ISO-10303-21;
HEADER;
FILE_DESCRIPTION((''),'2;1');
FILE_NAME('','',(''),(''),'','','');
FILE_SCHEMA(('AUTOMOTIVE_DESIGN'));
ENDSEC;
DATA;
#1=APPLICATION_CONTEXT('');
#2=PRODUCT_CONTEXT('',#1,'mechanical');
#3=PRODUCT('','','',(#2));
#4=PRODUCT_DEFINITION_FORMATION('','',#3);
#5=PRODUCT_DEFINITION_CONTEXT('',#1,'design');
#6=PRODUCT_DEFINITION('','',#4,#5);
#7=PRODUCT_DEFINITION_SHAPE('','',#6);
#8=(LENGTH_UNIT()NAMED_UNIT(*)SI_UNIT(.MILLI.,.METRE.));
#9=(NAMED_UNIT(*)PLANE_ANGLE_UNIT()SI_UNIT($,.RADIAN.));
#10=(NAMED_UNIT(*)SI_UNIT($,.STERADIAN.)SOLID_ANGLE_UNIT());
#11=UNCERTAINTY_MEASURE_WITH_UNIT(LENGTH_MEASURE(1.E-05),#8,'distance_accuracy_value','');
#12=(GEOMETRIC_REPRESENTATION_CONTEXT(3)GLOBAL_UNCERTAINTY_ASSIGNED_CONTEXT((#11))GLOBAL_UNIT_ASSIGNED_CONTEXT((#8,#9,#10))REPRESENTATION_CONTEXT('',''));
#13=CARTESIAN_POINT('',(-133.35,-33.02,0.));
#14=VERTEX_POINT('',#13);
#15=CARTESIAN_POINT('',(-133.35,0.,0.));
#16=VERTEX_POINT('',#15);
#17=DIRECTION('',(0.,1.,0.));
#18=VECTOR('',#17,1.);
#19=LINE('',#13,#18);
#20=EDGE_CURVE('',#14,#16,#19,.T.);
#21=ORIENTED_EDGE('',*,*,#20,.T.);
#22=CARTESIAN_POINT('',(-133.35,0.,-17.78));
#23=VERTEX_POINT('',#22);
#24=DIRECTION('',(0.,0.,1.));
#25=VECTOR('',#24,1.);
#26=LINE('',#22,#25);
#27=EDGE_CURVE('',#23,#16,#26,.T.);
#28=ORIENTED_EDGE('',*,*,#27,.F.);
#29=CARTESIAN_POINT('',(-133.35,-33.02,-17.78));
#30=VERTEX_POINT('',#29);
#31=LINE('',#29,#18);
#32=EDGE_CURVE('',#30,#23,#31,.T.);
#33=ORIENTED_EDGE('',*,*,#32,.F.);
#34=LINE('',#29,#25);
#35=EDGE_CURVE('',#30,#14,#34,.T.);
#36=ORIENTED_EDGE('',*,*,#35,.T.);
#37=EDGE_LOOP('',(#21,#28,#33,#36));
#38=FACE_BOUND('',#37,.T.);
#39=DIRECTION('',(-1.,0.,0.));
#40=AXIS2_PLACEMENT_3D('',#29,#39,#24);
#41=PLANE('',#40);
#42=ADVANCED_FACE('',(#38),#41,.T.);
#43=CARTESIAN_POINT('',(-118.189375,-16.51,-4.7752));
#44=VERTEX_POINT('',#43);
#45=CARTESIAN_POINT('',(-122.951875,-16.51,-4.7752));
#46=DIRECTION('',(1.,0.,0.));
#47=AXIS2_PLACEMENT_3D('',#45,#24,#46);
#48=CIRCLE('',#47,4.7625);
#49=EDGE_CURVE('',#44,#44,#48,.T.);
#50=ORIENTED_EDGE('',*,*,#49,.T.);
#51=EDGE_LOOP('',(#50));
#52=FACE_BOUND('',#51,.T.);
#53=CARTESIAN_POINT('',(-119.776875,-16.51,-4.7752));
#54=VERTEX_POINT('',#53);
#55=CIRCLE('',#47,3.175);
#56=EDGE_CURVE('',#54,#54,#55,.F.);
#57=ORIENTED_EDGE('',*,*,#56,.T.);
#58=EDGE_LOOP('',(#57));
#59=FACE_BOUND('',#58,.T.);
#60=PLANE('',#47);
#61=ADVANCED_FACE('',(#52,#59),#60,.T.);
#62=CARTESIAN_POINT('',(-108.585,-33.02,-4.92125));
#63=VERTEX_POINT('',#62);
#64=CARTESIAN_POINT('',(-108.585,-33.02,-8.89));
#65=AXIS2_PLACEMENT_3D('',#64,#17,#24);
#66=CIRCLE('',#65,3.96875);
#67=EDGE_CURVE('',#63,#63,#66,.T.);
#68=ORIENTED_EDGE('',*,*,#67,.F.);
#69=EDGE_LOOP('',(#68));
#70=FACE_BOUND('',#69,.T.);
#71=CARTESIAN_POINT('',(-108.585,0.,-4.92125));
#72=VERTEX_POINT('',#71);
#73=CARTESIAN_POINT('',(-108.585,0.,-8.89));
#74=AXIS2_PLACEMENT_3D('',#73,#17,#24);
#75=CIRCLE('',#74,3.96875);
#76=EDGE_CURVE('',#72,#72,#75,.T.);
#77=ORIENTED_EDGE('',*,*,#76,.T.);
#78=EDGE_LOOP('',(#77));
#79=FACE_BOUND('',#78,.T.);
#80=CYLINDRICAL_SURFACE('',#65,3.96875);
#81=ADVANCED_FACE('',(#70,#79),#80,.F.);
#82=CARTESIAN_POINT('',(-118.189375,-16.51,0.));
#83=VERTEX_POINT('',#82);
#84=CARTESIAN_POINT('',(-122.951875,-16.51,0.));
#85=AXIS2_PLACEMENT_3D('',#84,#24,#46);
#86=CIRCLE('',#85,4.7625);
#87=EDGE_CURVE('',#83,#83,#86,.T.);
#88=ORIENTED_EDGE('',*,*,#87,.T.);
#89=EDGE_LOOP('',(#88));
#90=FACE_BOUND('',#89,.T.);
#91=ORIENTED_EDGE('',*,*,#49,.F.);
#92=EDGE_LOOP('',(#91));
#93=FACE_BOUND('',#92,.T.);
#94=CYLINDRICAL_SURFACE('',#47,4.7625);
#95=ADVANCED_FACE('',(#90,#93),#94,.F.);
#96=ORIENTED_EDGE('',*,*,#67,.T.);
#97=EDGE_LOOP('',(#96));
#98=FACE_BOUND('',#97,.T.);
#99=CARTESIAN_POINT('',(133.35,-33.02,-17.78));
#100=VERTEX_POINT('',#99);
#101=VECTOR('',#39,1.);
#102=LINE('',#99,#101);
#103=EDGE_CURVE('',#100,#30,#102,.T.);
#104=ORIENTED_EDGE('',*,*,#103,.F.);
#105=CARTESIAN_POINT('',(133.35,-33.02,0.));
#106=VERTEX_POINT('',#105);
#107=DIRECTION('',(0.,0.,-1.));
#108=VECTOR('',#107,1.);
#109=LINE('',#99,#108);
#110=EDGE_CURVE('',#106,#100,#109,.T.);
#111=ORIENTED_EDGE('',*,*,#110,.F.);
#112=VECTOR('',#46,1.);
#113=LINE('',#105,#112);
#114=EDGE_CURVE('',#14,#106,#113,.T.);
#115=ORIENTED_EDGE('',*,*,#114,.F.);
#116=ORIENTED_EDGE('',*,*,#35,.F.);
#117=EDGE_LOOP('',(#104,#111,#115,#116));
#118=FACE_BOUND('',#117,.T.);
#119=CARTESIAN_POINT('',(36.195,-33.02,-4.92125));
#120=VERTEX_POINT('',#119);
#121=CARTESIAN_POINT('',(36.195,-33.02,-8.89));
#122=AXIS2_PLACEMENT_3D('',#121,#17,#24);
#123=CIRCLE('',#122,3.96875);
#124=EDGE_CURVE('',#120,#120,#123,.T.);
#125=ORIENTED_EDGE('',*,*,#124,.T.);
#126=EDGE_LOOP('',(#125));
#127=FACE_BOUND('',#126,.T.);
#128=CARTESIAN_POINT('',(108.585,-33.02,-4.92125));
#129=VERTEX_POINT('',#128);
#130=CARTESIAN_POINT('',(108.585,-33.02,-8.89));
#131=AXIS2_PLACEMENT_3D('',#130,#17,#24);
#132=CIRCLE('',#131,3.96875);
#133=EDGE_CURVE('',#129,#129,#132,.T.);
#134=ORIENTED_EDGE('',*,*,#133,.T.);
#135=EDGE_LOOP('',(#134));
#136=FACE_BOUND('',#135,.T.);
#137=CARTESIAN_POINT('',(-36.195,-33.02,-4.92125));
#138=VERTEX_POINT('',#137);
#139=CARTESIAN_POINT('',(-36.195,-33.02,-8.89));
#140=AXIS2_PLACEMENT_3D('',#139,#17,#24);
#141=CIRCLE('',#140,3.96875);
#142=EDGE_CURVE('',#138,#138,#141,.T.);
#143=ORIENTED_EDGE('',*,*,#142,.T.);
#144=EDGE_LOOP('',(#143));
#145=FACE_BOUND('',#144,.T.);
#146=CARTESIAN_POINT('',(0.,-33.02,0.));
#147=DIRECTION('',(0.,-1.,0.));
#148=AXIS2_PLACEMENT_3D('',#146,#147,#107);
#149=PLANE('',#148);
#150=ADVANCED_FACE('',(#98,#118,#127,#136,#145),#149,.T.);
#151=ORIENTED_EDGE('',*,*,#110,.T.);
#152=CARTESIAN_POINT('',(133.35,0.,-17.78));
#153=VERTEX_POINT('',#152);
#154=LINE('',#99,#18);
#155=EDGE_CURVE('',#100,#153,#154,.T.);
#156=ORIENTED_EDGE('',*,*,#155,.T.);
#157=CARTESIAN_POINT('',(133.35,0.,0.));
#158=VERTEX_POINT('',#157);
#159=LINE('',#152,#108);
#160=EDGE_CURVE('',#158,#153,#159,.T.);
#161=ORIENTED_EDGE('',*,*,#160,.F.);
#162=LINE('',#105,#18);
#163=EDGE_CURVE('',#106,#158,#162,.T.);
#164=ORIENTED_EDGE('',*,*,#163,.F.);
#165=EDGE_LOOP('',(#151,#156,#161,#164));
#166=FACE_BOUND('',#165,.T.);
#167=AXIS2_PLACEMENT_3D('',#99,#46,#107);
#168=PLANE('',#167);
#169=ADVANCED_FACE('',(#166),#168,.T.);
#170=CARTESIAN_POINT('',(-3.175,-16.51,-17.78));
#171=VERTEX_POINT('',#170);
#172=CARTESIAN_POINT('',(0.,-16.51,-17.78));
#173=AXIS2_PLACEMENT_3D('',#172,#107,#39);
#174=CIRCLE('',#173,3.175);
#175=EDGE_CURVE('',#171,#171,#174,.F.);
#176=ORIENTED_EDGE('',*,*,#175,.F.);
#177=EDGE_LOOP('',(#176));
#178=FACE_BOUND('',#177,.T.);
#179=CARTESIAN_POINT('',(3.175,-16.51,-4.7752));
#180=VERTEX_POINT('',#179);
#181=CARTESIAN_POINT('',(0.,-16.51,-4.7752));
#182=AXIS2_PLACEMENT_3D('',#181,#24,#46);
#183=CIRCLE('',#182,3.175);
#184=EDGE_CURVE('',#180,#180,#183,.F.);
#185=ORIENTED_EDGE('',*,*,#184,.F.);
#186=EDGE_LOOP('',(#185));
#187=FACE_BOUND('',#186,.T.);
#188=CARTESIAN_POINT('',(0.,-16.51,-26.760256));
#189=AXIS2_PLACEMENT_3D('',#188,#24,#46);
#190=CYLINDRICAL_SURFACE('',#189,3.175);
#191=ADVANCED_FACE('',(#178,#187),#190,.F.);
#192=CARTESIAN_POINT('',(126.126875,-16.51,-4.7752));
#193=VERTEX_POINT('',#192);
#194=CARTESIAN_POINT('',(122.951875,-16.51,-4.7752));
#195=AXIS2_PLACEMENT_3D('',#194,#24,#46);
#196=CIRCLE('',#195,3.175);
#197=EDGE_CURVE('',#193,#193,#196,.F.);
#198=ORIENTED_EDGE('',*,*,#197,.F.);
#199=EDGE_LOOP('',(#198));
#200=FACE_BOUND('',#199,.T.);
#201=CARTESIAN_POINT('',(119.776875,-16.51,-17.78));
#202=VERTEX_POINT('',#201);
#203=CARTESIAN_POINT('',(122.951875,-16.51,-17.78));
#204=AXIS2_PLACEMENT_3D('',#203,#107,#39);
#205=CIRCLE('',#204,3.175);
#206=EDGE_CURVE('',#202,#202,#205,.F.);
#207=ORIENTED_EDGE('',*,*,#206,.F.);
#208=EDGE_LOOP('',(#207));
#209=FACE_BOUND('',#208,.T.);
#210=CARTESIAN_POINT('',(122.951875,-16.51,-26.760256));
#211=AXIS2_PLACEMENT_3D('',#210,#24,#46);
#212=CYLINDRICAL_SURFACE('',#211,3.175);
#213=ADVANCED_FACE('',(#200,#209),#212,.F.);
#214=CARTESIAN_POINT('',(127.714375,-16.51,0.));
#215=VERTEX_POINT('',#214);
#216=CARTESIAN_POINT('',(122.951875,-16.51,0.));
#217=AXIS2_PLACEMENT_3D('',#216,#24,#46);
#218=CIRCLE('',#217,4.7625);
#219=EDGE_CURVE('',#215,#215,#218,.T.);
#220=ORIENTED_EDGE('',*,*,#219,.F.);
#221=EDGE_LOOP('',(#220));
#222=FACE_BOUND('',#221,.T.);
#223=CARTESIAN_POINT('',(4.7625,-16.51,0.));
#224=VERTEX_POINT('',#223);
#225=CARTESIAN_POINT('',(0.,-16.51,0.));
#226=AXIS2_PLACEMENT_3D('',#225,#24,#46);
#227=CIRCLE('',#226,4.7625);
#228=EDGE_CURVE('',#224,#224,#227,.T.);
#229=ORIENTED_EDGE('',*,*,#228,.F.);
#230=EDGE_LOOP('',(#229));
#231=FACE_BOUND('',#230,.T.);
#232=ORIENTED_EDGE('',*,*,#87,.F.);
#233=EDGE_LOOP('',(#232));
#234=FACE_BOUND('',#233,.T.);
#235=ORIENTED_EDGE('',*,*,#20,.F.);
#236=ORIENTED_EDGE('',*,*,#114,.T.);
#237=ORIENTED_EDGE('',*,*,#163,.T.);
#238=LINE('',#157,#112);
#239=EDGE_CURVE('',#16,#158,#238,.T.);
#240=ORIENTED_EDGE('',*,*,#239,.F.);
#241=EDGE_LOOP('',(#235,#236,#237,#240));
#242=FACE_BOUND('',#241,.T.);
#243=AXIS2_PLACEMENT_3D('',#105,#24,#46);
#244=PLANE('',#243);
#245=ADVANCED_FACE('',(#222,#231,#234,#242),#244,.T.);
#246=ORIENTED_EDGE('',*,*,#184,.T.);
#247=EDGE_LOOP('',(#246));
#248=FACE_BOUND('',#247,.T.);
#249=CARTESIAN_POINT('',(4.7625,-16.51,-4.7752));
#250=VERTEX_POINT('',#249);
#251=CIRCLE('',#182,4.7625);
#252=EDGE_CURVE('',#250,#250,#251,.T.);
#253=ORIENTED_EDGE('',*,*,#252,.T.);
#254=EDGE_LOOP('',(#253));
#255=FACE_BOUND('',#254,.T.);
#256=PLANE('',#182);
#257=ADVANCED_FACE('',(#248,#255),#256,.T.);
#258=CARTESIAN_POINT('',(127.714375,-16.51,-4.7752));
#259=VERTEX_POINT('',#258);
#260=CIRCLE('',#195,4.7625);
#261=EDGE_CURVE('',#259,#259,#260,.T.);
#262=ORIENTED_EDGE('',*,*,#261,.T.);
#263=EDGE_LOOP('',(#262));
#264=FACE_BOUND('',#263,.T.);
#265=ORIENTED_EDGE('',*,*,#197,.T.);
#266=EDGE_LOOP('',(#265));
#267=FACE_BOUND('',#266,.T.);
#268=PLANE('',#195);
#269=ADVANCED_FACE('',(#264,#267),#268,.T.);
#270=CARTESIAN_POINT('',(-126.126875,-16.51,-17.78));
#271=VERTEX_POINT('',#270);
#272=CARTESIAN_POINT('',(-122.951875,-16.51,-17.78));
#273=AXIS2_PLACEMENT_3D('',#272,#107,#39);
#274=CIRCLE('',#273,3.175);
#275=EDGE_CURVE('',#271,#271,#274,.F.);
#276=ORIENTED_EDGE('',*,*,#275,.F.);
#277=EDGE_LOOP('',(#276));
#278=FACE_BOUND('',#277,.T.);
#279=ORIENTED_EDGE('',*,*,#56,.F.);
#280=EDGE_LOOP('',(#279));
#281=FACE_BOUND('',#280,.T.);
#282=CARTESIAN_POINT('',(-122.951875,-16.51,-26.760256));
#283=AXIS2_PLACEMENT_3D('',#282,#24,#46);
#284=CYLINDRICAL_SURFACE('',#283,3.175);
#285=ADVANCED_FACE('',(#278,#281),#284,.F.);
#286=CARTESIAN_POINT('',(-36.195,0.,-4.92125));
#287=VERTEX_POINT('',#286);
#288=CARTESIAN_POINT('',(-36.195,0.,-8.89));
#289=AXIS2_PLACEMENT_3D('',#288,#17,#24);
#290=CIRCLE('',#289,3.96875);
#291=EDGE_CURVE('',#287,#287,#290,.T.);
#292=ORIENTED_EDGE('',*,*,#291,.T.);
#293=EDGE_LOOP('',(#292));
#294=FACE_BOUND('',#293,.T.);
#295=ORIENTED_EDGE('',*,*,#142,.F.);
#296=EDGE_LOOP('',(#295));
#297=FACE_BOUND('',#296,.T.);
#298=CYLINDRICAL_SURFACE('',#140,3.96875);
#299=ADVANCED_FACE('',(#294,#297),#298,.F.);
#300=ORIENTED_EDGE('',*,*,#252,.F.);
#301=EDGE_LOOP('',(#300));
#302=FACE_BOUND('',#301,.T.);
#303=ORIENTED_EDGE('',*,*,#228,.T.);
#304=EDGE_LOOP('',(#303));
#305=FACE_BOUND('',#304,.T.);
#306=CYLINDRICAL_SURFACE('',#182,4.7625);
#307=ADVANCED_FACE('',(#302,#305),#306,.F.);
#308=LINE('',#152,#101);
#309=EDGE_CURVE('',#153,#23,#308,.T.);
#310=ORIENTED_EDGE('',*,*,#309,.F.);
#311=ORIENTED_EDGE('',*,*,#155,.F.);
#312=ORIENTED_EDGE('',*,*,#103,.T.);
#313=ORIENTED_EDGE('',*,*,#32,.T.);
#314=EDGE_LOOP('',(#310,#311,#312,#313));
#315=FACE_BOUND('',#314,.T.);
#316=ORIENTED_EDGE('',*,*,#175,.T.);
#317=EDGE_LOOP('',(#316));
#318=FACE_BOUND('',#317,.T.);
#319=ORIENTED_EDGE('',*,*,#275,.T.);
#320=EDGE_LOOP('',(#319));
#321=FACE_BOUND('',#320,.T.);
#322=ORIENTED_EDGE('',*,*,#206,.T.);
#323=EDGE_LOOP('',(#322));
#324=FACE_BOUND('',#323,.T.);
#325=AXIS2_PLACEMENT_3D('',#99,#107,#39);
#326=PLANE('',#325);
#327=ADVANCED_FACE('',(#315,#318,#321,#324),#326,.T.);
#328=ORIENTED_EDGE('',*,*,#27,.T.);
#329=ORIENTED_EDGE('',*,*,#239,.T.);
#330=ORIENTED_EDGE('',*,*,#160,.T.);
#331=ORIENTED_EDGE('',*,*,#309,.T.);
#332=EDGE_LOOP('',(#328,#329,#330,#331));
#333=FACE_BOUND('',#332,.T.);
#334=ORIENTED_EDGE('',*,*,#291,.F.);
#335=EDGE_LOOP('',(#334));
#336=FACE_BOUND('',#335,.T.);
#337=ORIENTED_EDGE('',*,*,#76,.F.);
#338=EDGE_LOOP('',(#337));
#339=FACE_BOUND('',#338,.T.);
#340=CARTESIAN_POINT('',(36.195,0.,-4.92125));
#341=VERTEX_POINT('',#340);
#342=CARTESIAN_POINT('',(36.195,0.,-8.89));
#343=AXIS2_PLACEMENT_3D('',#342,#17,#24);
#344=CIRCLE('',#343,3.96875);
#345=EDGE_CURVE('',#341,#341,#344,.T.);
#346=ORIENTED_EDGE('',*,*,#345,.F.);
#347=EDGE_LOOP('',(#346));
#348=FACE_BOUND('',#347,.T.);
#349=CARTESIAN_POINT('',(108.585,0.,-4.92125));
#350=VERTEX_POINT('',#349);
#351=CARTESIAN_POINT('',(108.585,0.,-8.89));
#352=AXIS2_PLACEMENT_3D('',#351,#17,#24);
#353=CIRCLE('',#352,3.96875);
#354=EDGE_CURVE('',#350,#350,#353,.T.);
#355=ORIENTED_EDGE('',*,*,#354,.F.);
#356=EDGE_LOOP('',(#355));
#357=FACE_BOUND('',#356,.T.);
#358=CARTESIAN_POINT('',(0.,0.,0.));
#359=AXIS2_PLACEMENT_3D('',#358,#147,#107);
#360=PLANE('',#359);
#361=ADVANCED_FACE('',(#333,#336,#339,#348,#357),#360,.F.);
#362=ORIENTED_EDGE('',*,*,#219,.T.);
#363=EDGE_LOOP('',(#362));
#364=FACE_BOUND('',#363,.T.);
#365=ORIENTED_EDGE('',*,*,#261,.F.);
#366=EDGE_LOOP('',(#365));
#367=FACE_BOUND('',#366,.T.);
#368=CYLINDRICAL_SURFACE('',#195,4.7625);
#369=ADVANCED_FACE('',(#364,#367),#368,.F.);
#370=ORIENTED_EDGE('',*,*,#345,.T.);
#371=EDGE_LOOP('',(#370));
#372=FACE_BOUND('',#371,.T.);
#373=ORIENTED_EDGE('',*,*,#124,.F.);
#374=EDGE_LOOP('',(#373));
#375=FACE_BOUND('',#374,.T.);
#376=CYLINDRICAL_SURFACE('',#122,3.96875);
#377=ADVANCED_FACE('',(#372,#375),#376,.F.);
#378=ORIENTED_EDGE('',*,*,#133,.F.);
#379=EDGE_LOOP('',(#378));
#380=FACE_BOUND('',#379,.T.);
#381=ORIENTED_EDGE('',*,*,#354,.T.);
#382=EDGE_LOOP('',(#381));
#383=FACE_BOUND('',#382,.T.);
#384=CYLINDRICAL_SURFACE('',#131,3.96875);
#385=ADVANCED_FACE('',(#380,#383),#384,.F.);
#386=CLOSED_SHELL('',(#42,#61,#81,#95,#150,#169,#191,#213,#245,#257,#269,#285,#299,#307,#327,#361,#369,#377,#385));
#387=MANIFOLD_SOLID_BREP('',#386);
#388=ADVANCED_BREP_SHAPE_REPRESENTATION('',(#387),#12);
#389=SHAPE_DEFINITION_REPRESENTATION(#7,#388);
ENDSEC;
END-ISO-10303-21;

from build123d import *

# Parameters (mm, degrees)
SKETCH1_W           = 266.7
SKETCH1_H           = 17.78
SKETCH1_R           = 3.96875
BOSS_EXTRUDE1_DEPTH = 33.02
SKETCH2_R           = 3.175
CUT_EXTRUDE1_DEPTH  = 17.78
SKETCH3_R           = 4.7625
CUT_EXTRUDE2_DEPTH  = 4.7752


with BuildPart() as part:
    # Sketch1 → Boss-Extrude1 (new body)
    with BuildSketch(Plane(origin=(0, 0, 0), x_dir=(1, 0, 0), z_dir=(0, 1, 0))):
        with Locations((0, 8.89)):
            Rectangle(SKETCH1_W, SKETCH1_H)
        with Locations(Location((108.585, 8.89, 0), (0, 0, 270))):
            Circle(SKETCH1_R, mode=Mode.SUBTRACT)
        with Locations(Location((36.195, 8.89, 0), (0, 0, 270))):
            Circle(SKETCH1_R, mode=Mode.SUBTRACT)
        with Locations(Location((-36.195, 8.89, 0), (0, 0, 270))):
            Circle(SKETCH1_R, mode=Mode.SUBTRACT)
        with Locations(Location((-108.585, 8.89, 0), (0, 0, 270))):
            Circle(SKETCH1_R, mode=Mode.SUBTRACT)
    extrude(amount=-BOSS_EXTRUDE1_DEPTH)

    # Sketch2 → Cut-Extrude1 (cut)
    with BuildSketch(Plane.XY):
        with Locations((122.951875, -16.51)):
            Circle(SKETCH2_R)
        with Locations((0, -16.51)):
            Circle(SKETCH2_R)
        with Locations((-122.951875, -16.51)):
            Circle(SKETCH2_R)
    extrude(amount=-CUT_EXTRUDE1_DEPTH, mode=Mode.SUBTRACT)

    # Sketch3 → Cut-Extrude2 (cut)
    with BuildSketch(Plane.XY):
        with Locations((122.951875, -16.51)):
            Circle(SKETCH3_R)
        with Locations((0, -16.51)):
            Circle(SKETCH3_R)
        with Locations((-122.951875, -16.51)):
            Circle(SKETCH3_R)
    extrude(amount=-CUT_EXTRUDE2_DEPTH, mode=Mode.SUBTRACT)


solid = part.part
